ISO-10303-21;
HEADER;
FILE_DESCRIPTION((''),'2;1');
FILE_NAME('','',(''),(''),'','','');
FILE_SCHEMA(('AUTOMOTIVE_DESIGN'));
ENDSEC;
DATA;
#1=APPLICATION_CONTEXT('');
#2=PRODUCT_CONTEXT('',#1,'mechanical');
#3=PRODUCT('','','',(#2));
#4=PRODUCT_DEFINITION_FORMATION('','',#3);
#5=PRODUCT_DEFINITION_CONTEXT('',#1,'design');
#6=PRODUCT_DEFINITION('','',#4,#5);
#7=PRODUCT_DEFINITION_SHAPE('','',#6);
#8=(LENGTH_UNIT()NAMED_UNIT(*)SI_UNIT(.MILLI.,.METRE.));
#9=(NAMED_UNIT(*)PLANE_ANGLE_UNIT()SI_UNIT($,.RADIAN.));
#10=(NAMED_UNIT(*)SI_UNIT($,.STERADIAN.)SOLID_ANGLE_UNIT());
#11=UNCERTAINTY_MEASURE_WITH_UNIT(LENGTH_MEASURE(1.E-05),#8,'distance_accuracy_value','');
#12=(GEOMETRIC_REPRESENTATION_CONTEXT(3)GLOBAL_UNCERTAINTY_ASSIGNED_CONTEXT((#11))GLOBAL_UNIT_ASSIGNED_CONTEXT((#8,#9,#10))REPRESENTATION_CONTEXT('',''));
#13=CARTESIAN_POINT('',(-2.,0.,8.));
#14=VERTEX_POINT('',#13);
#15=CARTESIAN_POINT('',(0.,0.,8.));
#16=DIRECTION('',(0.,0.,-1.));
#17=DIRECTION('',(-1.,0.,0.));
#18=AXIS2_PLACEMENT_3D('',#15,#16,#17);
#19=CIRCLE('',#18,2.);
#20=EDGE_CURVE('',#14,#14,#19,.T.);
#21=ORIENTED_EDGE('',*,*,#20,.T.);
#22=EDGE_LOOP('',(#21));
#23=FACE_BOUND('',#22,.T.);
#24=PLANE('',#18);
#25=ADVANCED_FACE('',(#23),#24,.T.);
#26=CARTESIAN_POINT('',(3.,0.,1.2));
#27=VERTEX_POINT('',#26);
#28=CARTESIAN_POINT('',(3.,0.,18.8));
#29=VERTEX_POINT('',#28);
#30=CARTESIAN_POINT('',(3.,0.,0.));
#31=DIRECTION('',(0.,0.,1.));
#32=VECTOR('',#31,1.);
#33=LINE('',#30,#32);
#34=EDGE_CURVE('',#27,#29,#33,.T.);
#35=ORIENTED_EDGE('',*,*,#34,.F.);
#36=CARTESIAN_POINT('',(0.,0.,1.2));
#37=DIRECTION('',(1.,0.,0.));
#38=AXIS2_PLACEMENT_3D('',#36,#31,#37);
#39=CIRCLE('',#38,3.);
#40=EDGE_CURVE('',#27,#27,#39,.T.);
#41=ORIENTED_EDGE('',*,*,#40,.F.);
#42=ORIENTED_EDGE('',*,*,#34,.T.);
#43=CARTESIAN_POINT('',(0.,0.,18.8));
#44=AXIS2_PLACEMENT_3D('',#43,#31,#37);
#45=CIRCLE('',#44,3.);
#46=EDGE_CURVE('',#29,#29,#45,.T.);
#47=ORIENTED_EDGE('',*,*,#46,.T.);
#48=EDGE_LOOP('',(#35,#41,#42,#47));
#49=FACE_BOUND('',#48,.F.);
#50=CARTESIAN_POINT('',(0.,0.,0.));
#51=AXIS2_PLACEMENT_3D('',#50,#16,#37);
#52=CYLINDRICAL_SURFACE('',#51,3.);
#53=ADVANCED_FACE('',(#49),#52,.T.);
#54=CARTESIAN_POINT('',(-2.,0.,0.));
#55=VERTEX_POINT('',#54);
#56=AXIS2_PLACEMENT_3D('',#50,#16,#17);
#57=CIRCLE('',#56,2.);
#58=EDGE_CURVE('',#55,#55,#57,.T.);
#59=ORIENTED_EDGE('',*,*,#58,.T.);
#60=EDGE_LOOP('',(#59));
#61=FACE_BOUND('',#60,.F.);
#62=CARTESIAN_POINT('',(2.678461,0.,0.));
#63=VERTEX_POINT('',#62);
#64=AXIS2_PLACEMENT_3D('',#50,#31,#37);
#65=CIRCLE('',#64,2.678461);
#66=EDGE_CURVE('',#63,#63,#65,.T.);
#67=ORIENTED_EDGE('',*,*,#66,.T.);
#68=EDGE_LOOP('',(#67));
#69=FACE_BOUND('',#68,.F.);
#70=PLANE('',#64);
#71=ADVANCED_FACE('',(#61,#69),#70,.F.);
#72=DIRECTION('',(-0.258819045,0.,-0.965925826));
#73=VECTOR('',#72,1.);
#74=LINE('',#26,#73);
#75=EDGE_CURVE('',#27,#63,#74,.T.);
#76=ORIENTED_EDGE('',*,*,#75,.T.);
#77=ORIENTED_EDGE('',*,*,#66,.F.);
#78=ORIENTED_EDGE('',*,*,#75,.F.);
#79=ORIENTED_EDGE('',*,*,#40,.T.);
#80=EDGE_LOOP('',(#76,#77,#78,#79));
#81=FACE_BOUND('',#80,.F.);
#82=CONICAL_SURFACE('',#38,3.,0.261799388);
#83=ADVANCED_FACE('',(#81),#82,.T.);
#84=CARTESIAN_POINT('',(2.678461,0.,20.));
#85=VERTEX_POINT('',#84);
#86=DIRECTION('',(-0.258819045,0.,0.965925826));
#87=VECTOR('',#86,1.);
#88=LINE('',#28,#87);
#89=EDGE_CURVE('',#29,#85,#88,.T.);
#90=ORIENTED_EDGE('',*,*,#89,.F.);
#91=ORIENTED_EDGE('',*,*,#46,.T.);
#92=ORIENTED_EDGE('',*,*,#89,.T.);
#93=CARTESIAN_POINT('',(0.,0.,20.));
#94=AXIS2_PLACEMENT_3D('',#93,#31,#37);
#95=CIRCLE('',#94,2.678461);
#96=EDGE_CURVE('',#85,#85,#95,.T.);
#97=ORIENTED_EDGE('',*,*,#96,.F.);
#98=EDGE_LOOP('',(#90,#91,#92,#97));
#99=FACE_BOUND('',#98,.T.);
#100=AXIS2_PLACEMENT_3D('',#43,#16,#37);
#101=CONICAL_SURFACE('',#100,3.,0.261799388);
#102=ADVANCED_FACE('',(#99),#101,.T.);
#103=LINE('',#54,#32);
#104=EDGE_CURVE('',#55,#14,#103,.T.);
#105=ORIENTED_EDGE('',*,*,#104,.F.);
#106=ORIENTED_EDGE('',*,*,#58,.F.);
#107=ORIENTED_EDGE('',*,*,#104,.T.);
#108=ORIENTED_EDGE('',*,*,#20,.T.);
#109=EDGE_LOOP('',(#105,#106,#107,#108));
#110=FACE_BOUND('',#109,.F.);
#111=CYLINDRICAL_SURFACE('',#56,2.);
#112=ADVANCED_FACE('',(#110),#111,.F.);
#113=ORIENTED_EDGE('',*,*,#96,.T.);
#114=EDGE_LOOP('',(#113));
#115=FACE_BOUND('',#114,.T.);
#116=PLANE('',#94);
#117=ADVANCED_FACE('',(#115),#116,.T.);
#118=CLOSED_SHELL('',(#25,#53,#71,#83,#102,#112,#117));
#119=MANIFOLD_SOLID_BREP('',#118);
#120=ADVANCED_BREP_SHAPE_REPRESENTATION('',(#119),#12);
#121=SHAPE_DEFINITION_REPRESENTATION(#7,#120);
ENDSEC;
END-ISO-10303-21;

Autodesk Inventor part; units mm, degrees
ref_plane "YZ Plane" through (0, 0, 0) normal (1, 0, 0) x (0, 1, 0)
ref_plane "XZ Plane" through (0, 0, 0) normal (0, 1, 0) x (-1, 0, 0)
ref_plane "XY Plane" through (0, 0, 0) normal (0, 0, 1) x (1, 0, 0)
sketch "スケッチ1" plane through (0, 0, 0) normal (0, 0, 1) x (1, 0, 0)
  circle A0 centre (0, 0) radius 3
  dimension "d0" = 6
extrude "押し出し1" add sketch "スケッチ1" along normal blind 20
chamfer "面取り1" distance 1.2 angle 15 2 edges at (-3, 0, 20) (-3, 0, 0) measured on face at (2.9612, -0.4812, 13.3333)
sketch "スケッチ2" plane through (0, 0, 0) normal (0, 0, -1) x (-1, 0, 0)
  circle A0 centre (0, 0) radius 2
  dimension "d6" = 4
extrude "押し出し2" cut sketch "スケッチ2" against normal blind 8
properties part number "平行ピンΦ6.20 片雌ネジ" material "鋼、高強度、低合金"
